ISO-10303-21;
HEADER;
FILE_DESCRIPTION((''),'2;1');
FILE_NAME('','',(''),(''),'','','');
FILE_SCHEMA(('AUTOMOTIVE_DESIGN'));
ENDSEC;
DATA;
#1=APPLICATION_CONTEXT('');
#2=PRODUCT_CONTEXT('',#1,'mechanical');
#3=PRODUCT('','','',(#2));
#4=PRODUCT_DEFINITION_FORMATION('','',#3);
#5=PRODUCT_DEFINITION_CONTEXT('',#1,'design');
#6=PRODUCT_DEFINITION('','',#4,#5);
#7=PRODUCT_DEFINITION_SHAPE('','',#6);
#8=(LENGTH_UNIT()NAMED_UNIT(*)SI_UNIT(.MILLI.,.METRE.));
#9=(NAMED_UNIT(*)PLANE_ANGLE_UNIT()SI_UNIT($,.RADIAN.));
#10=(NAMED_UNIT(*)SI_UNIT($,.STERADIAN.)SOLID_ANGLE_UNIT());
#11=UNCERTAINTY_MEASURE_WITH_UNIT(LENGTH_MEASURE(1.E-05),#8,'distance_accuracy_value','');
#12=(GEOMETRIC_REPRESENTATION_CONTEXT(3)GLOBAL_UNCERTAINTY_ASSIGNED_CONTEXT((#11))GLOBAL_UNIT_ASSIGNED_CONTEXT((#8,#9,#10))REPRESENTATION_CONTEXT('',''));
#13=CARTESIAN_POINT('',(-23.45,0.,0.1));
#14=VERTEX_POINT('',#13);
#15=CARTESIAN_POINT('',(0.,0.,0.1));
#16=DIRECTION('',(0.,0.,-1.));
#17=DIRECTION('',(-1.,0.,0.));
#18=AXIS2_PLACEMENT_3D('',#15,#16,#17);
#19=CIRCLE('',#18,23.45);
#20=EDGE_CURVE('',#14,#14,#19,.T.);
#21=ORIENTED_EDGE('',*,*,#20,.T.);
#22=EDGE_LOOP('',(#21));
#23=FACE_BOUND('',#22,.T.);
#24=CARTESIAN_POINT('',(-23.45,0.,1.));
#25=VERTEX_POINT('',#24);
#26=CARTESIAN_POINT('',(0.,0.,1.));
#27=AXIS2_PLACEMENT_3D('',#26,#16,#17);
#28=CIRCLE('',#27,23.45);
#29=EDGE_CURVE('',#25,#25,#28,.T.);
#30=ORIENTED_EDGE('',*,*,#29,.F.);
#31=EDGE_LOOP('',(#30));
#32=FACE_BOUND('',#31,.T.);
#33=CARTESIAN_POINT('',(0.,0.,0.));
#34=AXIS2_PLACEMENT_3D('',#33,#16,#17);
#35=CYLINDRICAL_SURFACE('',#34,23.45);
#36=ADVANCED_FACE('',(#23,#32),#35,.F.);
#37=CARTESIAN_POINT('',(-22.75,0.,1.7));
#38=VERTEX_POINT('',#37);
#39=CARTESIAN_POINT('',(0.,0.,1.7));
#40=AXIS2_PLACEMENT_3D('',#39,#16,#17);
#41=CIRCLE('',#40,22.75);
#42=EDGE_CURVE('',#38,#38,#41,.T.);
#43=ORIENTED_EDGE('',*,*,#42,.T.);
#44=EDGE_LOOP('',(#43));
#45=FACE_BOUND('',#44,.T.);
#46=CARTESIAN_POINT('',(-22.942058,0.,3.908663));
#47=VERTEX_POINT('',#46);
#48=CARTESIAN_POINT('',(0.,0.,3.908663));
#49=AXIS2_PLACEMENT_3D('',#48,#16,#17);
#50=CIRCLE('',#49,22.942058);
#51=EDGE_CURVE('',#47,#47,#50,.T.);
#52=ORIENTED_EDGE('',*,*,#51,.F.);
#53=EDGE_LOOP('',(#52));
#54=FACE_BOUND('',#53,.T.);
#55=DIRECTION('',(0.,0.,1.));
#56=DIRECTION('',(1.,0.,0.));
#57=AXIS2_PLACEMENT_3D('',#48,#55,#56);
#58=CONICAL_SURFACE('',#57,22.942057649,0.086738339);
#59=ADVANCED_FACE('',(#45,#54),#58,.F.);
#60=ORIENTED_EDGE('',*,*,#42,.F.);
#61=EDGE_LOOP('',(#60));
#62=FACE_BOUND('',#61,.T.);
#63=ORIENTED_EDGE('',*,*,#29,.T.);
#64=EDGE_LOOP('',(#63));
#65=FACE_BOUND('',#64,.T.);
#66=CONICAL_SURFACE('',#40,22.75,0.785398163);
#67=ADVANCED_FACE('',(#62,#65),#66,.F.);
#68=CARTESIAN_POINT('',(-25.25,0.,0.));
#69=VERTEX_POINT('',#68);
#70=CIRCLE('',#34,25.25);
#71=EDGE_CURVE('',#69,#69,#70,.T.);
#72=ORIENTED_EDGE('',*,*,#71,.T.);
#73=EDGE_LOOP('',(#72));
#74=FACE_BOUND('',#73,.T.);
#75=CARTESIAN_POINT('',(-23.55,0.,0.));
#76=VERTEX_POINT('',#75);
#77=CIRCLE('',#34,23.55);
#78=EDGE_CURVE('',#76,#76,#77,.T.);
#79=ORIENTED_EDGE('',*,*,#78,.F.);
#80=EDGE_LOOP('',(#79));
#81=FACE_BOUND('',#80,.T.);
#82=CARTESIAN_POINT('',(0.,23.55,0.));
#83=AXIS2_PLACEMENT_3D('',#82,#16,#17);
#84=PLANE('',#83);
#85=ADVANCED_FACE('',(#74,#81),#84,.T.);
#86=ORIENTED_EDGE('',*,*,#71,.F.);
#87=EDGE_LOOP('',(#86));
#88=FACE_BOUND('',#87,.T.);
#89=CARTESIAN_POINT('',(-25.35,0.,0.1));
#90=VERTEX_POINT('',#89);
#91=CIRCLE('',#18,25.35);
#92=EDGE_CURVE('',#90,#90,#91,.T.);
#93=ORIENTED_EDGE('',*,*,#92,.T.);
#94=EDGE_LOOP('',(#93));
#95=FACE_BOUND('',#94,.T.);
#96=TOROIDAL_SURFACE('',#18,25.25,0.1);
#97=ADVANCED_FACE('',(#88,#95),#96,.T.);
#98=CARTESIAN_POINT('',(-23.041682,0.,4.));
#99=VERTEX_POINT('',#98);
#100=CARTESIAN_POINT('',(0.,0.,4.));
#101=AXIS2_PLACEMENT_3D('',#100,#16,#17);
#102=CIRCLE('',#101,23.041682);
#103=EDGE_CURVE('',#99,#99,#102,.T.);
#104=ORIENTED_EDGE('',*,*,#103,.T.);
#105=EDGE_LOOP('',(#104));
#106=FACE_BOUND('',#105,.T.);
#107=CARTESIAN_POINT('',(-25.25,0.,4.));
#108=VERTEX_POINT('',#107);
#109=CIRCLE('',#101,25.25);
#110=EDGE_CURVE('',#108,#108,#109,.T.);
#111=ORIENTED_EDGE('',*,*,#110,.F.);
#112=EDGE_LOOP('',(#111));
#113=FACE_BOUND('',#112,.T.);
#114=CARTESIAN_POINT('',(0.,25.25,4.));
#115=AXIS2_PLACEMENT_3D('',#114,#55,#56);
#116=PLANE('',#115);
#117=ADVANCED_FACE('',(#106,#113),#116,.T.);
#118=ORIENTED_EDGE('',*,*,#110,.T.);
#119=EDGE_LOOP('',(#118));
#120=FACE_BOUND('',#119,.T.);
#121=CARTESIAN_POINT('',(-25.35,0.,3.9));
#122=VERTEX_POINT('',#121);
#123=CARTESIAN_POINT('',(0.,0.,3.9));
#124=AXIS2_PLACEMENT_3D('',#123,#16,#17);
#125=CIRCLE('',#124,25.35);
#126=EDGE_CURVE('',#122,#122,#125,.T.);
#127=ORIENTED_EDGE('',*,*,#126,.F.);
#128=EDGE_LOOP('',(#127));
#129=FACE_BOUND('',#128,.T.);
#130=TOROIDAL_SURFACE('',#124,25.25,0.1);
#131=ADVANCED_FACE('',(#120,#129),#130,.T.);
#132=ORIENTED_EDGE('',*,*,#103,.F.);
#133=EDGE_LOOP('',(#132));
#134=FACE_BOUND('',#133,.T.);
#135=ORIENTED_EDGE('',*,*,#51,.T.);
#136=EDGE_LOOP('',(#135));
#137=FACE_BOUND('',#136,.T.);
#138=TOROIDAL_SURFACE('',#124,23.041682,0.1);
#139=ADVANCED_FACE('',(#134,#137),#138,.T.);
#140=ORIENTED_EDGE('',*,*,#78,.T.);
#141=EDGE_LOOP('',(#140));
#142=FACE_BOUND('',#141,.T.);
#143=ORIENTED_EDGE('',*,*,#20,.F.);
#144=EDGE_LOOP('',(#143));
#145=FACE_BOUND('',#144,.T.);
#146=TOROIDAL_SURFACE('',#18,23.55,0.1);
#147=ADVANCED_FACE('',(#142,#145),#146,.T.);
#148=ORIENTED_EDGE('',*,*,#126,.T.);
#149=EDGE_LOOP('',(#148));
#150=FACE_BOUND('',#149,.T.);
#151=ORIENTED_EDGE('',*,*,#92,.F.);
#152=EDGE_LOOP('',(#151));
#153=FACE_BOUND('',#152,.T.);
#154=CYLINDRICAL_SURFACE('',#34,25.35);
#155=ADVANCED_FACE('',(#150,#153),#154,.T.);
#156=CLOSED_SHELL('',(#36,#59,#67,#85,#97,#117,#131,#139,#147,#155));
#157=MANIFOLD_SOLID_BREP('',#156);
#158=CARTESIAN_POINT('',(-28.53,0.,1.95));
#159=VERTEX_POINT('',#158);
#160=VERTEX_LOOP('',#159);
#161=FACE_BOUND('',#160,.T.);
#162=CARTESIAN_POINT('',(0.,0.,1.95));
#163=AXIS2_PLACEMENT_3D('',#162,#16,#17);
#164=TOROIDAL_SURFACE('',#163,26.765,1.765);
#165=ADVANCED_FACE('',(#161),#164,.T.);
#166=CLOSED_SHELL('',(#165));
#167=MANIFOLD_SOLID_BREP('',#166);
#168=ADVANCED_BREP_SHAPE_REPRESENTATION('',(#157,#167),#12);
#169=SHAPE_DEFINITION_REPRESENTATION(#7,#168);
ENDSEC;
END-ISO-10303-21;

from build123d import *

# Parameters (mm, degrees)
SKETCH4_R = 1.765


with BuildPart() as part:
    # Sketch1 → Revolve1 (revolve)
    with BuildSketch(Plane(origin=(0, 0, 0), x_dir=(0, 0, -1), z_dir=(1, 0, 0)), mode=Mode.PRIVATE) as revolve1_sk:
        with BuildLine():
            Line((0, 23.55), (0, 25.25))
            ThreePointArc((0, 25.25), (-0.029289322, 25.320710678), (-0.1, 25.35))
            Line((-0.1, 25.35), (-3.9, 25.35))
            ThreePointArc((-3.9, 25.35), (-3.970710678, 25.320710678), (-4, 25.25))
            Line((-4, 25.25), (-4, 23.041681708))
            ThreePointArc((-4, 23.041681708), (-3.973709891, 22.974103221), (-3.908662962, 22.942057649))
            Line((-3.908662962, 22.942057649), (-1.7, 22.75))
            Line((-1.7, 22.75), (-1, 23.45))
            Line((-1, 23.45), (-0.1, 23.45))
            ThreePointArc((-0.1, 23.45), (-0.029289322, 23.479289322), (0, 23.55))
        make_face()
    revolve(revolve1_sk.sketch.rotate(Axis((0, 0, 0), (0, 0, 1)), 90), axis=Axis((0, 0, 0), (0, 0, 1)))


with BuildPart() as body_2:
    # Sketch4 → Revolve2 (revolve)
    with BuildSketch(Plane(origin=(0, 0, 0), x_dir=(0, 0, -1), z_dir=(1, 0, 0)), mode=Mode.PRIVATE) as revolve2_sk:
        with Locations((-1.95, 26.765)):
            Circle(SKETCH4_R)
    revolve(revolve2_sk.sketch.rotate(Axis((0, 0, 0), (0, 0, 1)), 90), axis=Axis((0, 0, 0), (0, 0, 1)))


solid = Compound([part.part, body_2.part])
